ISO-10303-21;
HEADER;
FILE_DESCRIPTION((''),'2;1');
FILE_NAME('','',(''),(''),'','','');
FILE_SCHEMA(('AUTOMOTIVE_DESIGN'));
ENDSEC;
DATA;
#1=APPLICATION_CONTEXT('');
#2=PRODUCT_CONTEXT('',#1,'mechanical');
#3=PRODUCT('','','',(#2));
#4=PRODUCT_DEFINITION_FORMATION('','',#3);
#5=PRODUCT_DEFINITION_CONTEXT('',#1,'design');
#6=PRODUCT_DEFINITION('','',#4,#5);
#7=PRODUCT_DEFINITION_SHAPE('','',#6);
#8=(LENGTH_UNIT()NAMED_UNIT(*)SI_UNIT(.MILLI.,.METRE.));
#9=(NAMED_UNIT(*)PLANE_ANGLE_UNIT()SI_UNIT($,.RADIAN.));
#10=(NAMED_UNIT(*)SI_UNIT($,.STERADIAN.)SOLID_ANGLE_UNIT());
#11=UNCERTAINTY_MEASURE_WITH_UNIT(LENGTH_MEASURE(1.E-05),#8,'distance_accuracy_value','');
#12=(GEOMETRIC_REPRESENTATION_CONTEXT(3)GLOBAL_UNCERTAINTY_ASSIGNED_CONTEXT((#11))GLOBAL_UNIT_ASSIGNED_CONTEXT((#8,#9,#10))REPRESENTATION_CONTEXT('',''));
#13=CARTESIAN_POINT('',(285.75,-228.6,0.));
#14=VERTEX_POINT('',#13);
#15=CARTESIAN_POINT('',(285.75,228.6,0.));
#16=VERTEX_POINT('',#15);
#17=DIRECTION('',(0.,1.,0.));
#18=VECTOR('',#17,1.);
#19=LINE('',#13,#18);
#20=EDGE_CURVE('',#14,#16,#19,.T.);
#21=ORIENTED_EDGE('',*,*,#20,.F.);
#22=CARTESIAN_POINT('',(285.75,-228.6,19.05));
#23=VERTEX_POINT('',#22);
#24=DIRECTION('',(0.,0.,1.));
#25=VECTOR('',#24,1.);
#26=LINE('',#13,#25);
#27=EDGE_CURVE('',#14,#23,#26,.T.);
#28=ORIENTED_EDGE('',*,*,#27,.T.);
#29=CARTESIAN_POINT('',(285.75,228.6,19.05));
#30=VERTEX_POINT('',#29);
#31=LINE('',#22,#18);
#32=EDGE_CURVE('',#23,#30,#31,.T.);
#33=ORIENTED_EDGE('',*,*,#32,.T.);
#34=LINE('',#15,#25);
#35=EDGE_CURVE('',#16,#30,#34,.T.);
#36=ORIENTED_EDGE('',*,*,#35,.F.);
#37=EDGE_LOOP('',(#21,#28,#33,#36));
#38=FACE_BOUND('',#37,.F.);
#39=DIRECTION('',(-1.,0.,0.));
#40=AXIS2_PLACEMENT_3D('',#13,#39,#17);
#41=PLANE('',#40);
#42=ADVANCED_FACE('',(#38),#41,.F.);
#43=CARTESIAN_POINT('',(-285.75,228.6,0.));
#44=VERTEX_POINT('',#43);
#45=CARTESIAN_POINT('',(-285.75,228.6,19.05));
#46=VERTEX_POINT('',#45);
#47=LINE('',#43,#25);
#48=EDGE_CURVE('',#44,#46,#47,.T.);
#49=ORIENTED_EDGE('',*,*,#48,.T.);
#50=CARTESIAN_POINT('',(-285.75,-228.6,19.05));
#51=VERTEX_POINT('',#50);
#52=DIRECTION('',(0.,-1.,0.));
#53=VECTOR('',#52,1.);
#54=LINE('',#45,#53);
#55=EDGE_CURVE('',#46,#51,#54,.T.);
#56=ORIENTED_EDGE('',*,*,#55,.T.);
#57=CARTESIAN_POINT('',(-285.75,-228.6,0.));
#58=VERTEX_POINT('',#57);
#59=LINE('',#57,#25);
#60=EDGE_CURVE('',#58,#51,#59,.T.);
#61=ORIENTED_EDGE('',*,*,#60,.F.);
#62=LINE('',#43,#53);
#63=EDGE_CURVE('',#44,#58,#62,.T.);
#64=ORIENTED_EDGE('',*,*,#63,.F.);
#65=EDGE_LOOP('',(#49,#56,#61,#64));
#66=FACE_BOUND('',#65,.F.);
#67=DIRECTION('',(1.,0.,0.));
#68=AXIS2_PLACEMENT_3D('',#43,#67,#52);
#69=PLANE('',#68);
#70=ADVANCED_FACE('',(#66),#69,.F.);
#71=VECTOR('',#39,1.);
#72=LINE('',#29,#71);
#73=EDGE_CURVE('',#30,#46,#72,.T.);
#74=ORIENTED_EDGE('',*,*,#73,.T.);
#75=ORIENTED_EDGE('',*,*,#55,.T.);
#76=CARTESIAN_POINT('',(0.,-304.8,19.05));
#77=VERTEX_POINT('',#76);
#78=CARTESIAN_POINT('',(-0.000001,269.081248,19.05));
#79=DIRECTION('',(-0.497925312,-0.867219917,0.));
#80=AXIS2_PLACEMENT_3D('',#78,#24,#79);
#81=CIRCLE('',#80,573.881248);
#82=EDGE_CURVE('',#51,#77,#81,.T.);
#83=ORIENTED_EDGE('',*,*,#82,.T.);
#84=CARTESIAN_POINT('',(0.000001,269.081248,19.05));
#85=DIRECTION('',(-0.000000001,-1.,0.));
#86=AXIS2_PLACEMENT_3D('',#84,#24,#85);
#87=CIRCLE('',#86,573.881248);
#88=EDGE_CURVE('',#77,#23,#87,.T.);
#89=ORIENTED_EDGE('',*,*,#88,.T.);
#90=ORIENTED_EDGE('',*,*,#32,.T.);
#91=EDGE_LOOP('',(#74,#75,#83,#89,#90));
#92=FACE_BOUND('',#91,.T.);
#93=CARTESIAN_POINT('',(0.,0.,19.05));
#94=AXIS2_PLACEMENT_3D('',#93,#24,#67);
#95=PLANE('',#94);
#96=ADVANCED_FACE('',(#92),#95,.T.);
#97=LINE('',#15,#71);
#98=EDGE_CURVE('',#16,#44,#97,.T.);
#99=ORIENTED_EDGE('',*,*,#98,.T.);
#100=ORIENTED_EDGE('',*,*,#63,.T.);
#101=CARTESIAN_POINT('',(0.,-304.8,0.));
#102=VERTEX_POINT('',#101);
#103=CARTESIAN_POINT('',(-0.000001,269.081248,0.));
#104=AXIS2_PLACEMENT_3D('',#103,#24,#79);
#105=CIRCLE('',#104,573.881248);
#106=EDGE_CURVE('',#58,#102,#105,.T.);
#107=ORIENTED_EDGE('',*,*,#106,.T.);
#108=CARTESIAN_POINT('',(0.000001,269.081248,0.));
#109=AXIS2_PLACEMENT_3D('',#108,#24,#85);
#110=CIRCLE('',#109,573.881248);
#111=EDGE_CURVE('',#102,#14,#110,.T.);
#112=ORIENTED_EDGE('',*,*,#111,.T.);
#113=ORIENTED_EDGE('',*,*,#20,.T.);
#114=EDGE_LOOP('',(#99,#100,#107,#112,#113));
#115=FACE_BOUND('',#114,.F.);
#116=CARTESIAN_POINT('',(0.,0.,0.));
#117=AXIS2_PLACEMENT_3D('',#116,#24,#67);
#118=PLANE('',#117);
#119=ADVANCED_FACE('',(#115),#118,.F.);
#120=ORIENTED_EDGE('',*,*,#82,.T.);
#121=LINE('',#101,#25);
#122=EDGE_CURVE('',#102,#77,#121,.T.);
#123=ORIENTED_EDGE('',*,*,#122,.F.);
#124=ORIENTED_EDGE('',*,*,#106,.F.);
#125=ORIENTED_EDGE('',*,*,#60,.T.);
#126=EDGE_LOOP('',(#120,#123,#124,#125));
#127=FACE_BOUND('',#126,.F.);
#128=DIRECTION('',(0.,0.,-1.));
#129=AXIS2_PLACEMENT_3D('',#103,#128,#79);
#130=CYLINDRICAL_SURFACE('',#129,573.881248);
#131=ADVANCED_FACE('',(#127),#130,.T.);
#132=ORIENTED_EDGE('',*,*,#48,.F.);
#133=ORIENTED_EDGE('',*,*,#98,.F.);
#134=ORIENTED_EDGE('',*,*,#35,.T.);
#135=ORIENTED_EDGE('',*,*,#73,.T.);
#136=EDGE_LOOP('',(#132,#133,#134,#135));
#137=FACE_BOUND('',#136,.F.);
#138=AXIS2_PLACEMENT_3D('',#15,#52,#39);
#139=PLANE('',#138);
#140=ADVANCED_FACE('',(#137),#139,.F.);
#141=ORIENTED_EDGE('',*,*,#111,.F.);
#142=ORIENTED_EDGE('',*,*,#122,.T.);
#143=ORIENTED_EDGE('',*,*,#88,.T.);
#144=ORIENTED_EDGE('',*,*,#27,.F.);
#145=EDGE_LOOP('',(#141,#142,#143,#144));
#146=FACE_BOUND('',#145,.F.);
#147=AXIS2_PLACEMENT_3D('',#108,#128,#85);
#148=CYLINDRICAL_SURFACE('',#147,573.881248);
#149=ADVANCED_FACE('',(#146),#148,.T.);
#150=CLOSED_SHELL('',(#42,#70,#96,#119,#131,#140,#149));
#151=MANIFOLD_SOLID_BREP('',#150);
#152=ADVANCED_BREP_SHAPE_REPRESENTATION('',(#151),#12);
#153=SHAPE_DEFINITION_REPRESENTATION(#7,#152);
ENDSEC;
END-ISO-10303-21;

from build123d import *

# Parameters (mm, degrees)
F1_DEPTH = 19.05


with BuildPart() as f1:
    # F0 (on Top) → F1 (new body)
    with BuildSketch(Plane.XY):
        Polygon((285.75, 228.6), (-285.75, 228.6), (-285.75, -228.6), (0, -228.6), (285.75, -228.6), align=None)
        with BuildLine():
            Line((0, -228.6), (-285.75, -228.6))
            ThreePointArc((-285.75, -228.6), (-147.867764, -285.422865), (0, -304.8))
            Line((0, -304.8), (0, -228.6))
        make_face()
        with BuildLine():
            ThreePointArc((0, -304.8), (147.867764, -285.422865), (285.75, -228.6))
            Line((285.75, -228.6), (0, -228.6))
            Line((0, -228.6), (0, -304.8))
        make_face()
    extrude(amount=F1_DEPTH)


solid = f1.part
